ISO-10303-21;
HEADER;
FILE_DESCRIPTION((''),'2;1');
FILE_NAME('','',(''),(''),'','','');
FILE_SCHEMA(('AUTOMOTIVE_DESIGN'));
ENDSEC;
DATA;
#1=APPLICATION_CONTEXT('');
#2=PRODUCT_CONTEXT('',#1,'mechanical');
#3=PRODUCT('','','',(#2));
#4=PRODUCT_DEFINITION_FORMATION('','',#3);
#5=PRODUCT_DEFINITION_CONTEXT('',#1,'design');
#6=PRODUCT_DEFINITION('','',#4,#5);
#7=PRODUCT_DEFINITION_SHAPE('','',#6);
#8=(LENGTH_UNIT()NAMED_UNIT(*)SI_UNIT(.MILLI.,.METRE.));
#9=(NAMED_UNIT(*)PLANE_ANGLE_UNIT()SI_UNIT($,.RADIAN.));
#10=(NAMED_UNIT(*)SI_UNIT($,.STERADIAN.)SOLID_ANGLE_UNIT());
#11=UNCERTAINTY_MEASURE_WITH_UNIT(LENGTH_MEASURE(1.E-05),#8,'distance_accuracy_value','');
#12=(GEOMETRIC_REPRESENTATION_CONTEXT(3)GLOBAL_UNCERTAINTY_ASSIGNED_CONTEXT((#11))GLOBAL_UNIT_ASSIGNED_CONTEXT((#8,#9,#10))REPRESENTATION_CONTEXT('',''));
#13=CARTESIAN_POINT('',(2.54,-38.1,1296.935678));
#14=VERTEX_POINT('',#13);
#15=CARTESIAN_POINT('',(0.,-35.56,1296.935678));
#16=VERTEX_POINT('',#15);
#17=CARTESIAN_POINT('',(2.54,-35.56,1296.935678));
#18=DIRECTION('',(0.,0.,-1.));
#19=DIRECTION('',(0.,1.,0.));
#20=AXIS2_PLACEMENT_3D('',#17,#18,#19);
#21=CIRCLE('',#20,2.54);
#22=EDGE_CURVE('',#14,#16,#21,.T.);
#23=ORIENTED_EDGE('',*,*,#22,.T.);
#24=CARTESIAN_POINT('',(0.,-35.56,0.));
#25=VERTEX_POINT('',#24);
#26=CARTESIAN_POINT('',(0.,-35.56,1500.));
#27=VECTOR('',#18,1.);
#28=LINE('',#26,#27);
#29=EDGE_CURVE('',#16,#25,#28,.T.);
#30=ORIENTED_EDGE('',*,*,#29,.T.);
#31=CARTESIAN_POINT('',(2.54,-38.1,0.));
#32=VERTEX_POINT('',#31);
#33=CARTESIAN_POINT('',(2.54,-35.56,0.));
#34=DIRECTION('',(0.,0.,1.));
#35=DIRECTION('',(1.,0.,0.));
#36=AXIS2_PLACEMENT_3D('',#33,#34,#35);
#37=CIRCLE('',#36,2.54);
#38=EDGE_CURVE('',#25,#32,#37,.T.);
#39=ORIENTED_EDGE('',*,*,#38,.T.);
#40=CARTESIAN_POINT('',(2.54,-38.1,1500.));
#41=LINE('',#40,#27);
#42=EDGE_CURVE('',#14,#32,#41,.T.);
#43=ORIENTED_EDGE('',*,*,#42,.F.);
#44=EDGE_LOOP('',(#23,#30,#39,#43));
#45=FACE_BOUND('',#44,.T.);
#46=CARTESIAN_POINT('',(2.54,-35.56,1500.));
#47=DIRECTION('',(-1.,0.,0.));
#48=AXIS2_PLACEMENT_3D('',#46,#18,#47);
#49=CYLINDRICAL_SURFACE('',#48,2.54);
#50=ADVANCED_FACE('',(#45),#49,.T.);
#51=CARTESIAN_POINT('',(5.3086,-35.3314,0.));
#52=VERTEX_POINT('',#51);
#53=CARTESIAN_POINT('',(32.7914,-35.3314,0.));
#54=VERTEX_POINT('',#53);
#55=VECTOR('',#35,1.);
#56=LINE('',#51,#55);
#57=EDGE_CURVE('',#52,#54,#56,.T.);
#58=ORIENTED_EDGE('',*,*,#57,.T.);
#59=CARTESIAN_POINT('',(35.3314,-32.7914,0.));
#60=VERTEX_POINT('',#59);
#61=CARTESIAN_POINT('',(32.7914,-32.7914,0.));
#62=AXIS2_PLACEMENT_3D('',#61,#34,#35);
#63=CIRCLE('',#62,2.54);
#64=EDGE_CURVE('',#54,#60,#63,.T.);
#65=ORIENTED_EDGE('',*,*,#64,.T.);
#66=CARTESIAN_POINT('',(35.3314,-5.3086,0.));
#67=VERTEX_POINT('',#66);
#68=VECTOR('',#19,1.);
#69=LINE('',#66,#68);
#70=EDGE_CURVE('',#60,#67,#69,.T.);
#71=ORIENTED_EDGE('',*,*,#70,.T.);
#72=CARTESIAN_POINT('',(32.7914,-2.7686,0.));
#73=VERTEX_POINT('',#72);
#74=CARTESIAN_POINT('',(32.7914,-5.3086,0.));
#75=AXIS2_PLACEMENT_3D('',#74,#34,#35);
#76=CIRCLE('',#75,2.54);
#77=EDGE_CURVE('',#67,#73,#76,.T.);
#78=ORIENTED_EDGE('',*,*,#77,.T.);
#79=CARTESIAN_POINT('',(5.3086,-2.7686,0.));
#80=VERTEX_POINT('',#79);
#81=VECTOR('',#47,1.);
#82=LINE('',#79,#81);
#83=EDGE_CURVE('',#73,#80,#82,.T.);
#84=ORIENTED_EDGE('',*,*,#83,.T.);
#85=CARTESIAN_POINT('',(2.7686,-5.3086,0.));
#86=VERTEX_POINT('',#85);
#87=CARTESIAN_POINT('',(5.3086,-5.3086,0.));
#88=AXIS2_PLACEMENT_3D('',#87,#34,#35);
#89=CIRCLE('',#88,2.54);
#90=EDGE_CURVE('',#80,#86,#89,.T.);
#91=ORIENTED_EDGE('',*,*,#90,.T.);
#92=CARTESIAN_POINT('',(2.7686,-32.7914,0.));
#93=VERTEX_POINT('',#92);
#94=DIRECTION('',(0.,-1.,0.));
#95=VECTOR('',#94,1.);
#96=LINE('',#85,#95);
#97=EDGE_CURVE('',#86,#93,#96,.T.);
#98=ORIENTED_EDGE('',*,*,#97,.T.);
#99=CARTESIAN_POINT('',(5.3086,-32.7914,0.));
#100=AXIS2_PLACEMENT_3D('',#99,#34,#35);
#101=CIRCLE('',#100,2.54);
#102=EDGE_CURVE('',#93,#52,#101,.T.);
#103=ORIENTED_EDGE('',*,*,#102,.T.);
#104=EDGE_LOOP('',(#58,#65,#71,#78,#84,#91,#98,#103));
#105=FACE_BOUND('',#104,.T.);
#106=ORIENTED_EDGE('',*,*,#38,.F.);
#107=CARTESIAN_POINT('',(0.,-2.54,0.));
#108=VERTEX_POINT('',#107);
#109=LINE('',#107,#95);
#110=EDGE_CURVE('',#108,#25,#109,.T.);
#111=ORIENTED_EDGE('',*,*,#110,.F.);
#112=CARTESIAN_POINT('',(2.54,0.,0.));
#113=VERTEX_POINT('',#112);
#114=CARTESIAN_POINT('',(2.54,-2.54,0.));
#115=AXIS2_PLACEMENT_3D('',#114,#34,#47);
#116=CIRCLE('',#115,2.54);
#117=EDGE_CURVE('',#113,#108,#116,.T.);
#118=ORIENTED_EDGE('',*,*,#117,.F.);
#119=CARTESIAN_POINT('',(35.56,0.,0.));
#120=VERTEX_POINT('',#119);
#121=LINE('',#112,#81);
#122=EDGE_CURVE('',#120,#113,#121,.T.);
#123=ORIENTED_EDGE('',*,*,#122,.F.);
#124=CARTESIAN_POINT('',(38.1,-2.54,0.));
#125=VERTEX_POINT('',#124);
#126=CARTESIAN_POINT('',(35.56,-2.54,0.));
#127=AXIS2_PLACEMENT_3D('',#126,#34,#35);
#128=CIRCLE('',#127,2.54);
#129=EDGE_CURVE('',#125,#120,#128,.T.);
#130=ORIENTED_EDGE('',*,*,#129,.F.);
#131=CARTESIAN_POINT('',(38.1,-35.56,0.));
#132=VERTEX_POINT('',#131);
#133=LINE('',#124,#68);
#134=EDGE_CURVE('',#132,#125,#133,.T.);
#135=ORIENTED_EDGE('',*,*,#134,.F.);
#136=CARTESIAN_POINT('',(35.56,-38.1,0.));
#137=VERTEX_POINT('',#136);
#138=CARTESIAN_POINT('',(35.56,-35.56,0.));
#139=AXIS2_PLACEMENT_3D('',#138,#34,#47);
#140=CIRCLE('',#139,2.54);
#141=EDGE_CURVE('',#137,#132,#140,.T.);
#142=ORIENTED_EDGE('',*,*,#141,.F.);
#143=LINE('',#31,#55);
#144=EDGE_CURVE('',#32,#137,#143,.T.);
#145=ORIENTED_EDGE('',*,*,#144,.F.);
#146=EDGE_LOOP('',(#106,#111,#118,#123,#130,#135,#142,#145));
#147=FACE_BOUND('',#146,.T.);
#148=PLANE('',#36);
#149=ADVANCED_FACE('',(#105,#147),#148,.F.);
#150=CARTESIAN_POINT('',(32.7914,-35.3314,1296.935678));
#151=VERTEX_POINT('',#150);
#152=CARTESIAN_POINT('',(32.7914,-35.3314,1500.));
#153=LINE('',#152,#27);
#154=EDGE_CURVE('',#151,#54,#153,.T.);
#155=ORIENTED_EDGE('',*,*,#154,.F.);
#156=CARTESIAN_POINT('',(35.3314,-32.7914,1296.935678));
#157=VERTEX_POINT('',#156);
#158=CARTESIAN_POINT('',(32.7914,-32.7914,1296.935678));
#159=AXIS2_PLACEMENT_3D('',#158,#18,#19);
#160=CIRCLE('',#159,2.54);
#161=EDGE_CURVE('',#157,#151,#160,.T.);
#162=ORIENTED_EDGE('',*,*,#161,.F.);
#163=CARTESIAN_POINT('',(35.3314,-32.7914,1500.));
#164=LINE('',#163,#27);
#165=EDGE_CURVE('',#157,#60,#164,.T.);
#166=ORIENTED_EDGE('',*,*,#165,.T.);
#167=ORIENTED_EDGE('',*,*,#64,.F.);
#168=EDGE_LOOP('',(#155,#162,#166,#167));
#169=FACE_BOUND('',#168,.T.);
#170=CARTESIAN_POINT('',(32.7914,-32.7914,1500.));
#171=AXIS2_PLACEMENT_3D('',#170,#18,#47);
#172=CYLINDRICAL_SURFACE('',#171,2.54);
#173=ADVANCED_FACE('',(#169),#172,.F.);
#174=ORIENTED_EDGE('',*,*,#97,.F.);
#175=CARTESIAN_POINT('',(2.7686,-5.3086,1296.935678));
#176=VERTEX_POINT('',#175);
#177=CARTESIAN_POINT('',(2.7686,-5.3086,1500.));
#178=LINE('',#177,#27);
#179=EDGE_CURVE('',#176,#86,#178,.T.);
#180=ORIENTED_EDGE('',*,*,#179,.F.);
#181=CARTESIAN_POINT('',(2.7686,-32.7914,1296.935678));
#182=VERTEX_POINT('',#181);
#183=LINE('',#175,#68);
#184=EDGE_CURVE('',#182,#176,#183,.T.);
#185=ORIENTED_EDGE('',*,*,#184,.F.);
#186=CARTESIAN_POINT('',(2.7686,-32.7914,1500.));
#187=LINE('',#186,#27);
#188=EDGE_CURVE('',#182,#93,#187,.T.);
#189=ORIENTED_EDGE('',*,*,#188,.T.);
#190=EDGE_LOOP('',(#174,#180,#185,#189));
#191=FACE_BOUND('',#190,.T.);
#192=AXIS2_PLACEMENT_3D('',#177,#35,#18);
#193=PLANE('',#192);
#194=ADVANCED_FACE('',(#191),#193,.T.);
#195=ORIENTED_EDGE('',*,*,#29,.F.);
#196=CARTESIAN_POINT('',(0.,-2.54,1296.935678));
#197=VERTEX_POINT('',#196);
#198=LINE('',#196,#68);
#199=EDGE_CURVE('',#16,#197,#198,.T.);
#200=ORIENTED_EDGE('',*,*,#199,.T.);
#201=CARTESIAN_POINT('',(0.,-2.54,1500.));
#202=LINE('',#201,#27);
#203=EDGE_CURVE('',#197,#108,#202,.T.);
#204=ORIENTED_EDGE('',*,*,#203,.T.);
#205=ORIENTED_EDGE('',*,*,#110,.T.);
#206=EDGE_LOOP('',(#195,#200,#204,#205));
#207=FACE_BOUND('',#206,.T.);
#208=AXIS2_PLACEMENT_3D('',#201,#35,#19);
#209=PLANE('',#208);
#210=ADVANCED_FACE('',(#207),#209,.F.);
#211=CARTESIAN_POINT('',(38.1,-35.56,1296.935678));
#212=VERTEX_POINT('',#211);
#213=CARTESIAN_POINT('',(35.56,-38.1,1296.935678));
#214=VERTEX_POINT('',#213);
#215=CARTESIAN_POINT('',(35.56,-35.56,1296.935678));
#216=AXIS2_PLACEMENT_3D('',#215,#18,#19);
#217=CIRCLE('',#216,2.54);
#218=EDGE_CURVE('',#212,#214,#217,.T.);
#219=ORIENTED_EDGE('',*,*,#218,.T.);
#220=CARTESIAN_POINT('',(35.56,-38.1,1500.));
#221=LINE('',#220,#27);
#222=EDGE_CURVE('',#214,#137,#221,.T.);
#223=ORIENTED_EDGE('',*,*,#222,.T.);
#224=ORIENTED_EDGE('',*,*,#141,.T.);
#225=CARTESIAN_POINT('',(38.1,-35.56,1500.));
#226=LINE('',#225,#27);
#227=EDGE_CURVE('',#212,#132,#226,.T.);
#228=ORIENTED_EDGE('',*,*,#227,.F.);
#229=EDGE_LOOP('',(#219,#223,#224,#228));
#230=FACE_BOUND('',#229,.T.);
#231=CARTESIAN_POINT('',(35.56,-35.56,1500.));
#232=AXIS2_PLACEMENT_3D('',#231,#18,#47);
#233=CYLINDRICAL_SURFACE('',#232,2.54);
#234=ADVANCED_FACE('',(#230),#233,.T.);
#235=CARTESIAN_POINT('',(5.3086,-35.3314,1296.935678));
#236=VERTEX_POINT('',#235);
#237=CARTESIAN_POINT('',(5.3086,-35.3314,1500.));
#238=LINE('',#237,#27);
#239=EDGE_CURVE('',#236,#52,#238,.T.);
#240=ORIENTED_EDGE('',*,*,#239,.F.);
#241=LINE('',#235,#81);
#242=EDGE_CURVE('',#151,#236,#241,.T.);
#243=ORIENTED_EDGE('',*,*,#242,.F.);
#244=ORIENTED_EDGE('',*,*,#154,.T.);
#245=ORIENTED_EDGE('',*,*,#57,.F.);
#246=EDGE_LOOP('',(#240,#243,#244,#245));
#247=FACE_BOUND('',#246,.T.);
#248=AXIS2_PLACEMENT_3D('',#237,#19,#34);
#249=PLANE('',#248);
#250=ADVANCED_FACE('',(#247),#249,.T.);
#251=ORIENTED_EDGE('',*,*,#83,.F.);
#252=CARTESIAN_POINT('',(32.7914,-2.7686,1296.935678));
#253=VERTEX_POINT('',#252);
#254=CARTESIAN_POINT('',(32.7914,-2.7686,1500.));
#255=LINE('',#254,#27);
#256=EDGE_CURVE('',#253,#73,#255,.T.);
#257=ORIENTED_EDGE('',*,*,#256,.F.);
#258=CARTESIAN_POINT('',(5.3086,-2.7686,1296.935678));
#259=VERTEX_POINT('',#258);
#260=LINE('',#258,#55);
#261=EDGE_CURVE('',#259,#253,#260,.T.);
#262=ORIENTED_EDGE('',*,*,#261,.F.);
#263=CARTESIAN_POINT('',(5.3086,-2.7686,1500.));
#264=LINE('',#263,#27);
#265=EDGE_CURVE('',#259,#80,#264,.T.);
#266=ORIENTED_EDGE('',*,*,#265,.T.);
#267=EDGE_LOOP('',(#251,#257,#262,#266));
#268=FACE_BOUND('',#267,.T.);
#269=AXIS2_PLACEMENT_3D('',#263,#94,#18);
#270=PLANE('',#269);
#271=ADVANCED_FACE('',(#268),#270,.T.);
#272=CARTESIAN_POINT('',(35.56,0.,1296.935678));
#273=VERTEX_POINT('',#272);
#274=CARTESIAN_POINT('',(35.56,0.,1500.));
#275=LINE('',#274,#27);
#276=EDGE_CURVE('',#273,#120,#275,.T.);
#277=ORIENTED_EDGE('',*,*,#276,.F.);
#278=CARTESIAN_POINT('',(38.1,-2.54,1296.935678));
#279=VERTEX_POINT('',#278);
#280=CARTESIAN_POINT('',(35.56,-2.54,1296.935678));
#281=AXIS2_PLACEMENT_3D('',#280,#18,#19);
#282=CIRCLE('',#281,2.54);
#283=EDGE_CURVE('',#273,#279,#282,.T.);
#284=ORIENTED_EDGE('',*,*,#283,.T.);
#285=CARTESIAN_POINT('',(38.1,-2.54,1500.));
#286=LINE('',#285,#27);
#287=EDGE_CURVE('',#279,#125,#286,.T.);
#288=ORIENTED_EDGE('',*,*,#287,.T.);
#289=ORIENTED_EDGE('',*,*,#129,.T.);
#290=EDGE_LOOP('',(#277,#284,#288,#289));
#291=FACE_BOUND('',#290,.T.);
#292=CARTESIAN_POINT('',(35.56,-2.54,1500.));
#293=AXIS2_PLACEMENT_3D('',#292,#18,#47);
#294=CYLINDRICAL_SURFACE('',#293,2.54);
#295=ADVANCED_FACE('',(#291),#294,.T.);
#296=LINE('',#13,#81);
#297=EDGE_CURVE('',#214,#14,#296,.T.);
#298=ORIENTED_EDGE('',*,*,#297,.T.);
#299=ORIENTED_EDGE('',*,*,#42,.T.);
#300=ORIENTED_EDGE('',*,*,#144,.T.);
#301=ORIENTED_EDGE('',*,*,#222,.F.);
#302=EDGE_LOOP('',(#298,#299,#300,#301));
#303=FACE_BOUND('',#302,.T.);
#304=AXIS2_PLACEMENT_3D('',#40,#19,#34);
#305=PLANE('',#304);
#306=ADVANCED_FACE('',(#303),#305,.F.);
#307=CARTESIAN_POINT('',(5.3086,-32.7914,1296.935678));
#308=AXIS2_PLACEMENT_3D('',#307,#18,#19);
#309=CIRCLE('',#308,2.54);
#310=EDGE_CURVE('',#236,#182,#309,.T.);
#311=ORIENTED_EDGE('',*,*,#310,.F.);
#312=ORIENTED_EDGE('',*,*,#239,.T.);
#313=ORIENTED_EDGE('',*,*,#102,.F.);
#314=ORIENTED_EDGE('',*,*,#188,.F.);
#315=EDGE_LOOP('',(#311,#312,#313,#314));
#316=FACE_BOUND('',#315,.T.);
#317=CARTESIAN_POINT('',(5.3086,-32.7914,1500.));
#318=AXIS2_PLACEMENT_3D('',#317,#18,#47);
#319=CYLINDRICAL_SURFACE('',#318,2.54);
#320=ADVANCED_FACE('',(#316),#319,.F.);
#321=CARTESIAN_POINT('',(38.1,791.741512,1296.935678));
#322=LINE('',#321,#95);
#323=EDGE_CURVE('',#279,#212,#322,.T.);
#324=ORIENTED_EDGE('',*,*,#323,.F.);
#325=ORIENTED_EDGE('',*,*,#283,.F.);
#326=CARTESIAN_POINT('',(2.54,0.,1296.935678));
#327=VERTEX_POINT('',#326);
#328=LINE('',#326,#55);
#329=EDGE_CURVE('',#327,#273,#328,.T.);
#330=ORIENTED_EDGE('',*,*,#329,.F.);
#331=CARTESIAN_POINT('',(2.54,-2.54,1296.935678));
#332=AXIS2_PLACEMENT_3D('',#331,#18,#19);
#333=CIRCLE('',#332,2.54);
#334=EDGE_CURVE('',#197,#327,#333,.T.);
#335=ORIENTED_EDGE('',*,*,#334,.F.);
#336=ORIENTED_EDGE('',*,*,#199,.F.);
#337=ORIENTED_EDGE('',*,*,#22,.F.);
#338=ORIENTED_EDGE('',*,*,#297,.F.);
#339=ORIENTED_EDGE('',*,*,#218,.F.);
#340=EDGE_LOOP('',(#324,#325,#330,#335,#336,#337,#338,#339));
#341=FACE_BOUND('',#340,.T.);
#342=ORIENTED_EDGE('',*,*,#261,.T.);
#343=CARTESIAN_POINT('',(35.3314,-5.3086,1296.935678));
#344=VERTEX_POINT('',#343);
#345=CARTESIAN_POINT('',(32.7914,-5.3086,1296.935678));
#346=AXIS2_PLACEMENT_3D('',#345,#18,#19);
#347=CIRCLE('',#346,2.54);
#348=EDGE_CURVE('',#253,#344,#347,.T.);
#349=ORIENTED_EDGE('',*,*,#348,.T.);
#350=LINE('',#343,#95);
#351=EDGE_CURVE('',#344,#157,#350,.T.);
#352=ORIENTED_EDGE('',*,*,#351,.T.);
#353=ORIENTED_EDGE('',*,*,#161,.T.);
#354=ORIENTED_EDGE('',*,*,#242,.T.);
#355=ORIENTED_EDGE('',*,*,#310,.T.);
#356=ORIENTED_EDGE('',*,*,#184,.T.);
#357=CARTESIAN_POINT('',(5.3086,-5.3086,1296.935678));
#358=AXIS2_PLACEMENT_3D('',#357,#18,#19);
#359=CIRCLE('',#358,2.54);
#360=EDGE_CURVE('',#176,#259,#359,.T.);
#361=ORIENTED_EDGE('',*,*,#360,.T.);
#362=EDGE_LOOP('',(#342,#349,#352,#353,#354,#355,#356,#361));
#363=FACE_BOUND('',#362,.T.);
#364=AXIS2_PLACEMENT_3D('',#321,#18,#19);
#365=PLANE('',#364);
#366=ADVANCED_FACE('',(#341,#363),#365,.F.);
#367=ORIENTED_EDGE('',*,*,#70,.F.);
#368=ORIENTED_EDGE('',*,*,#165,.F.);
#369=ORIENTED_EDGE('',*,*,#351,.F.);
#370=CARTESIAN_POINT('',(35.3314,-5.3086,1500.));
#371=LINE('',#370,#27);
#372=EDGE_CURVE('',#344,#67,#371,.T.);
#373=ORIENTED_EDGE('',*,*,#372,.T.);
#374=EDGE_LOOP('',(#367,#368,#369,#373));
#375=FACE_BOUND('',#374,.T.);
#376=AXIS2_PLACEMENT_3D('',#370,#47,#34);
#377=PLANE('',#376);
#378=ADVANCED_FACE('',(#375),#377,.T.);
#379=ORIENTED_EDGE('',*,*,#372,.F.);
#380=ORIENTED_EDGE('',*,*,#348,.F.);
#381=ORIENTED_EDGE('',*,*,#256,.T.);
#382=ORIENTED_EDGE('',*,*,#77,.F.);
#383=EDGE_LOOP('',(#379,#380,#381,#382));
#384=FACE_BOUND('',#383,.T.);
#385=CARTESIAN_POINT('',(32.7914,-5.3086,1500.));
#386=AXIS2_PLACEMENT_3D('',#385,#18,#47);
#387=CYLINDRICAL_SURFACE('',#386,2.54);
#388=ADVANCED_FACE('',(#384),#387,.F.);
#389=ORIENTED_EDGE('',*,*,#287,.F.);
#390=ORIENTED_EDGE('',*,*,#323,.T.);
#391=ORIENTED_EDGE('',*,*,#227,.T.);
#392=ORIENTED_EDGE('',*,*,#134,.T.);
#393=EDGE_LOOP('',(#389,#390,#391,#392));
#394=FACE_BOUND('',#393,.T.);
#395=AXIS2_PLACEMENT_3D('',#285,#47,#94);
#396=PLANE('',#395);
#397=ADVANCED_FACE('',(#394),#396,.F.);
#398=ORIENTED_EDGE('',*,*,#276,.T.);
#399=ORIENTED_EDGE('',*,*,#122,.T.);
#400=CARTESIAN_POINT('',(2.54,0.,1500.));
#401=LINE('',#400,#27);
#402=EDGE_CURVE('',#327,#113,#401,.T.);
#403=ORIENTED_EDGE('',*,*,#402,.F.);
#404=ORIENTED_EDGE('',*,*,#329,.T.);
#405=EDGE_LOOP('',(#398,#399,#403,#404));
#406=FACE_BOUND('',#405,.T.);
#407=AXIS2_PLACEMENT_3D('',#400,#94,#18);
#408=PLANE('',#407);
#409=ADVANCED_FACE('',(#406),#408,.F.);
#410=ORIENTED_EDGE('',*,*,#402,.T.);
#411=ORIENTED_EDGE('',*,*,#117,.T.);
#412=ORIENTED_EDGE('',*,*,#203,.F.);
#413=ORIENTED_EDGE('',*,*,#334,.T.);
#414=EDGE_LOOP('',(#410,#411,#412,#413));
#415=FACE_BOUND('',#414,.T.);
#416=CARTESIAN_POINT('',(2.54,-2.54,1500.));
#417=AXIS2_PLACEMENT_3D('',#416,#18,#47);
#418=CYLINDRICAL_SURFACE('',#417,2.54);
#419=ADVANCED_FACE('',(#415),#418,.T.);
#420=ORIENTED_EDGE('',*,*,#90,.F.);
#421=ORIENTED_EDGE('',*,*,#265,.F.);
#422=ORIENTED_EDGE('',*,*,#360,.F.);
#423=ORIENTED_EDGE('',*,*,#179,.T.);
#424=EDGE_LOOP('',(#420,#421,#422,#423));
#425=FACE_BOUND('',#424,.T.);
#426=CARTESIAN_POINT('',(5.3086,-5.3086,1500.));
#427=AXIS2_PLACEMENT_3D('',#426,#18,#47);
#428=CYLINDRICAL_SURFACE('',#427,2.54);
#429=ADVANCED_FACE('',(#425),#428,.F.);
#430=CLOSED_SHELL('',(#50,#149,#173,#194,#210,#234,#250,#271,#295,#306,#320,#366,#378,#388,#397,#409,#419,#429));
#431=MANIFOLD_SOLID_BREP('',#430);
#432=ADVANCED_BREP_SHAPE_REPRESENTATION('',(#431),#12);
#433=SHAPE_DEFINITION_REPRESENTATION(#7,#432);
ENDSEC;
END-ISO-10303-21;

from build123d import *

# Parameters (mm, degrees)
BOSS_EXTRUDE1_DEPTH     = 1500
CUT_EXTRUDE3_DEPTH      = 1501.967428028
CUT_EXTRUDE3_DEPTH_BACK = 1501.967428028
SKETCH2_W               = 432.224270186
SKETCH2_H               = 1076.950896283
SKETCH2_W_2             = 908.538956416
SKETCH2_H_2             = 1717.469993805


with BuildPart() as part:
    # Sketch1 → Boss-Extrude1 (new body)
    with BuildSketch(Plane.XY):
        with BuildLine():
            Line((2.54, 0), (35.56, 0))
            ThreePointArc((35.56, 0), (37.356051224, -0.743948776), (38.1, -2.54))
            Line((38.1, -2.54), (38.1, -35.56))
            ThreePointArc((38.1, -35.56), (37.356051224, -37.356051224), (35.56, -38.1))
            Line((35.56, -38.1), (2.54, -38.1))
            ThreePointArc((2.54, -38.1), (0.743948776, -37.356051224), (0, -35.56))
            Line((0, -35.56), (0, -2.54))
            ThreePointArc((0, -2.54), (0.743948776, -0.743948776), (2.54, 0))
        make_face()
        with BuildLine():
            Line((5.3086, -2.7686), (32.7914, -2.7686))
            ThreePointArc((32.7914, -2.7686), (34.587451224, -3.512548776), (35.3314, -5.3086))
            Line((35.3314, -5.3086), (35.3314, -32.7914))
            ThreePointArc((35.3314, -32.7914), (34.587451224, -34.587451224), (32.7914, -35.3314))
            Line((32.7914, -35.3314), (5.3086, -35.3314))
            ThreePointArc((5.3086, -35.3314), (3.512548776, -34.587451224), (2.7686, -32.7914))
            Line((2.7686, -32.7914), (2.7686, -5.3086))
            ThreePointArc((2.7686, -5.3086), (3.512548776, -3.512548776), (5.3086, -2.7686))
        make_face(mode=Mode.SUBTRACT)
    extrude(amount=BOSS_EXTRUDE1_DEPTH)

    # Sketch2 → Cut-Extrude3 (cut, two sides: drawn at the far end of the back side and taken through both)
    with BuildSketch(Plane.ZY.offset(-CUT_EXTRUDE3_DEPTH_BACK)):
        with Locations((-216.112135093, 500.375448142)):
            Rectangle(SKETCH2_W, SKETCH2_H)
        with Locations((1751.205155953, -66.993484906)):
            Rectangle(SKETCH2_W_2, SKETCH2_H_2)
    extrude(amount=CUT_EXTRUDE3_DEPTH + CUT_EXTRUDE3_DEPTH_BACK, mode=Mode.SUBTRACT)


solid = part.part
